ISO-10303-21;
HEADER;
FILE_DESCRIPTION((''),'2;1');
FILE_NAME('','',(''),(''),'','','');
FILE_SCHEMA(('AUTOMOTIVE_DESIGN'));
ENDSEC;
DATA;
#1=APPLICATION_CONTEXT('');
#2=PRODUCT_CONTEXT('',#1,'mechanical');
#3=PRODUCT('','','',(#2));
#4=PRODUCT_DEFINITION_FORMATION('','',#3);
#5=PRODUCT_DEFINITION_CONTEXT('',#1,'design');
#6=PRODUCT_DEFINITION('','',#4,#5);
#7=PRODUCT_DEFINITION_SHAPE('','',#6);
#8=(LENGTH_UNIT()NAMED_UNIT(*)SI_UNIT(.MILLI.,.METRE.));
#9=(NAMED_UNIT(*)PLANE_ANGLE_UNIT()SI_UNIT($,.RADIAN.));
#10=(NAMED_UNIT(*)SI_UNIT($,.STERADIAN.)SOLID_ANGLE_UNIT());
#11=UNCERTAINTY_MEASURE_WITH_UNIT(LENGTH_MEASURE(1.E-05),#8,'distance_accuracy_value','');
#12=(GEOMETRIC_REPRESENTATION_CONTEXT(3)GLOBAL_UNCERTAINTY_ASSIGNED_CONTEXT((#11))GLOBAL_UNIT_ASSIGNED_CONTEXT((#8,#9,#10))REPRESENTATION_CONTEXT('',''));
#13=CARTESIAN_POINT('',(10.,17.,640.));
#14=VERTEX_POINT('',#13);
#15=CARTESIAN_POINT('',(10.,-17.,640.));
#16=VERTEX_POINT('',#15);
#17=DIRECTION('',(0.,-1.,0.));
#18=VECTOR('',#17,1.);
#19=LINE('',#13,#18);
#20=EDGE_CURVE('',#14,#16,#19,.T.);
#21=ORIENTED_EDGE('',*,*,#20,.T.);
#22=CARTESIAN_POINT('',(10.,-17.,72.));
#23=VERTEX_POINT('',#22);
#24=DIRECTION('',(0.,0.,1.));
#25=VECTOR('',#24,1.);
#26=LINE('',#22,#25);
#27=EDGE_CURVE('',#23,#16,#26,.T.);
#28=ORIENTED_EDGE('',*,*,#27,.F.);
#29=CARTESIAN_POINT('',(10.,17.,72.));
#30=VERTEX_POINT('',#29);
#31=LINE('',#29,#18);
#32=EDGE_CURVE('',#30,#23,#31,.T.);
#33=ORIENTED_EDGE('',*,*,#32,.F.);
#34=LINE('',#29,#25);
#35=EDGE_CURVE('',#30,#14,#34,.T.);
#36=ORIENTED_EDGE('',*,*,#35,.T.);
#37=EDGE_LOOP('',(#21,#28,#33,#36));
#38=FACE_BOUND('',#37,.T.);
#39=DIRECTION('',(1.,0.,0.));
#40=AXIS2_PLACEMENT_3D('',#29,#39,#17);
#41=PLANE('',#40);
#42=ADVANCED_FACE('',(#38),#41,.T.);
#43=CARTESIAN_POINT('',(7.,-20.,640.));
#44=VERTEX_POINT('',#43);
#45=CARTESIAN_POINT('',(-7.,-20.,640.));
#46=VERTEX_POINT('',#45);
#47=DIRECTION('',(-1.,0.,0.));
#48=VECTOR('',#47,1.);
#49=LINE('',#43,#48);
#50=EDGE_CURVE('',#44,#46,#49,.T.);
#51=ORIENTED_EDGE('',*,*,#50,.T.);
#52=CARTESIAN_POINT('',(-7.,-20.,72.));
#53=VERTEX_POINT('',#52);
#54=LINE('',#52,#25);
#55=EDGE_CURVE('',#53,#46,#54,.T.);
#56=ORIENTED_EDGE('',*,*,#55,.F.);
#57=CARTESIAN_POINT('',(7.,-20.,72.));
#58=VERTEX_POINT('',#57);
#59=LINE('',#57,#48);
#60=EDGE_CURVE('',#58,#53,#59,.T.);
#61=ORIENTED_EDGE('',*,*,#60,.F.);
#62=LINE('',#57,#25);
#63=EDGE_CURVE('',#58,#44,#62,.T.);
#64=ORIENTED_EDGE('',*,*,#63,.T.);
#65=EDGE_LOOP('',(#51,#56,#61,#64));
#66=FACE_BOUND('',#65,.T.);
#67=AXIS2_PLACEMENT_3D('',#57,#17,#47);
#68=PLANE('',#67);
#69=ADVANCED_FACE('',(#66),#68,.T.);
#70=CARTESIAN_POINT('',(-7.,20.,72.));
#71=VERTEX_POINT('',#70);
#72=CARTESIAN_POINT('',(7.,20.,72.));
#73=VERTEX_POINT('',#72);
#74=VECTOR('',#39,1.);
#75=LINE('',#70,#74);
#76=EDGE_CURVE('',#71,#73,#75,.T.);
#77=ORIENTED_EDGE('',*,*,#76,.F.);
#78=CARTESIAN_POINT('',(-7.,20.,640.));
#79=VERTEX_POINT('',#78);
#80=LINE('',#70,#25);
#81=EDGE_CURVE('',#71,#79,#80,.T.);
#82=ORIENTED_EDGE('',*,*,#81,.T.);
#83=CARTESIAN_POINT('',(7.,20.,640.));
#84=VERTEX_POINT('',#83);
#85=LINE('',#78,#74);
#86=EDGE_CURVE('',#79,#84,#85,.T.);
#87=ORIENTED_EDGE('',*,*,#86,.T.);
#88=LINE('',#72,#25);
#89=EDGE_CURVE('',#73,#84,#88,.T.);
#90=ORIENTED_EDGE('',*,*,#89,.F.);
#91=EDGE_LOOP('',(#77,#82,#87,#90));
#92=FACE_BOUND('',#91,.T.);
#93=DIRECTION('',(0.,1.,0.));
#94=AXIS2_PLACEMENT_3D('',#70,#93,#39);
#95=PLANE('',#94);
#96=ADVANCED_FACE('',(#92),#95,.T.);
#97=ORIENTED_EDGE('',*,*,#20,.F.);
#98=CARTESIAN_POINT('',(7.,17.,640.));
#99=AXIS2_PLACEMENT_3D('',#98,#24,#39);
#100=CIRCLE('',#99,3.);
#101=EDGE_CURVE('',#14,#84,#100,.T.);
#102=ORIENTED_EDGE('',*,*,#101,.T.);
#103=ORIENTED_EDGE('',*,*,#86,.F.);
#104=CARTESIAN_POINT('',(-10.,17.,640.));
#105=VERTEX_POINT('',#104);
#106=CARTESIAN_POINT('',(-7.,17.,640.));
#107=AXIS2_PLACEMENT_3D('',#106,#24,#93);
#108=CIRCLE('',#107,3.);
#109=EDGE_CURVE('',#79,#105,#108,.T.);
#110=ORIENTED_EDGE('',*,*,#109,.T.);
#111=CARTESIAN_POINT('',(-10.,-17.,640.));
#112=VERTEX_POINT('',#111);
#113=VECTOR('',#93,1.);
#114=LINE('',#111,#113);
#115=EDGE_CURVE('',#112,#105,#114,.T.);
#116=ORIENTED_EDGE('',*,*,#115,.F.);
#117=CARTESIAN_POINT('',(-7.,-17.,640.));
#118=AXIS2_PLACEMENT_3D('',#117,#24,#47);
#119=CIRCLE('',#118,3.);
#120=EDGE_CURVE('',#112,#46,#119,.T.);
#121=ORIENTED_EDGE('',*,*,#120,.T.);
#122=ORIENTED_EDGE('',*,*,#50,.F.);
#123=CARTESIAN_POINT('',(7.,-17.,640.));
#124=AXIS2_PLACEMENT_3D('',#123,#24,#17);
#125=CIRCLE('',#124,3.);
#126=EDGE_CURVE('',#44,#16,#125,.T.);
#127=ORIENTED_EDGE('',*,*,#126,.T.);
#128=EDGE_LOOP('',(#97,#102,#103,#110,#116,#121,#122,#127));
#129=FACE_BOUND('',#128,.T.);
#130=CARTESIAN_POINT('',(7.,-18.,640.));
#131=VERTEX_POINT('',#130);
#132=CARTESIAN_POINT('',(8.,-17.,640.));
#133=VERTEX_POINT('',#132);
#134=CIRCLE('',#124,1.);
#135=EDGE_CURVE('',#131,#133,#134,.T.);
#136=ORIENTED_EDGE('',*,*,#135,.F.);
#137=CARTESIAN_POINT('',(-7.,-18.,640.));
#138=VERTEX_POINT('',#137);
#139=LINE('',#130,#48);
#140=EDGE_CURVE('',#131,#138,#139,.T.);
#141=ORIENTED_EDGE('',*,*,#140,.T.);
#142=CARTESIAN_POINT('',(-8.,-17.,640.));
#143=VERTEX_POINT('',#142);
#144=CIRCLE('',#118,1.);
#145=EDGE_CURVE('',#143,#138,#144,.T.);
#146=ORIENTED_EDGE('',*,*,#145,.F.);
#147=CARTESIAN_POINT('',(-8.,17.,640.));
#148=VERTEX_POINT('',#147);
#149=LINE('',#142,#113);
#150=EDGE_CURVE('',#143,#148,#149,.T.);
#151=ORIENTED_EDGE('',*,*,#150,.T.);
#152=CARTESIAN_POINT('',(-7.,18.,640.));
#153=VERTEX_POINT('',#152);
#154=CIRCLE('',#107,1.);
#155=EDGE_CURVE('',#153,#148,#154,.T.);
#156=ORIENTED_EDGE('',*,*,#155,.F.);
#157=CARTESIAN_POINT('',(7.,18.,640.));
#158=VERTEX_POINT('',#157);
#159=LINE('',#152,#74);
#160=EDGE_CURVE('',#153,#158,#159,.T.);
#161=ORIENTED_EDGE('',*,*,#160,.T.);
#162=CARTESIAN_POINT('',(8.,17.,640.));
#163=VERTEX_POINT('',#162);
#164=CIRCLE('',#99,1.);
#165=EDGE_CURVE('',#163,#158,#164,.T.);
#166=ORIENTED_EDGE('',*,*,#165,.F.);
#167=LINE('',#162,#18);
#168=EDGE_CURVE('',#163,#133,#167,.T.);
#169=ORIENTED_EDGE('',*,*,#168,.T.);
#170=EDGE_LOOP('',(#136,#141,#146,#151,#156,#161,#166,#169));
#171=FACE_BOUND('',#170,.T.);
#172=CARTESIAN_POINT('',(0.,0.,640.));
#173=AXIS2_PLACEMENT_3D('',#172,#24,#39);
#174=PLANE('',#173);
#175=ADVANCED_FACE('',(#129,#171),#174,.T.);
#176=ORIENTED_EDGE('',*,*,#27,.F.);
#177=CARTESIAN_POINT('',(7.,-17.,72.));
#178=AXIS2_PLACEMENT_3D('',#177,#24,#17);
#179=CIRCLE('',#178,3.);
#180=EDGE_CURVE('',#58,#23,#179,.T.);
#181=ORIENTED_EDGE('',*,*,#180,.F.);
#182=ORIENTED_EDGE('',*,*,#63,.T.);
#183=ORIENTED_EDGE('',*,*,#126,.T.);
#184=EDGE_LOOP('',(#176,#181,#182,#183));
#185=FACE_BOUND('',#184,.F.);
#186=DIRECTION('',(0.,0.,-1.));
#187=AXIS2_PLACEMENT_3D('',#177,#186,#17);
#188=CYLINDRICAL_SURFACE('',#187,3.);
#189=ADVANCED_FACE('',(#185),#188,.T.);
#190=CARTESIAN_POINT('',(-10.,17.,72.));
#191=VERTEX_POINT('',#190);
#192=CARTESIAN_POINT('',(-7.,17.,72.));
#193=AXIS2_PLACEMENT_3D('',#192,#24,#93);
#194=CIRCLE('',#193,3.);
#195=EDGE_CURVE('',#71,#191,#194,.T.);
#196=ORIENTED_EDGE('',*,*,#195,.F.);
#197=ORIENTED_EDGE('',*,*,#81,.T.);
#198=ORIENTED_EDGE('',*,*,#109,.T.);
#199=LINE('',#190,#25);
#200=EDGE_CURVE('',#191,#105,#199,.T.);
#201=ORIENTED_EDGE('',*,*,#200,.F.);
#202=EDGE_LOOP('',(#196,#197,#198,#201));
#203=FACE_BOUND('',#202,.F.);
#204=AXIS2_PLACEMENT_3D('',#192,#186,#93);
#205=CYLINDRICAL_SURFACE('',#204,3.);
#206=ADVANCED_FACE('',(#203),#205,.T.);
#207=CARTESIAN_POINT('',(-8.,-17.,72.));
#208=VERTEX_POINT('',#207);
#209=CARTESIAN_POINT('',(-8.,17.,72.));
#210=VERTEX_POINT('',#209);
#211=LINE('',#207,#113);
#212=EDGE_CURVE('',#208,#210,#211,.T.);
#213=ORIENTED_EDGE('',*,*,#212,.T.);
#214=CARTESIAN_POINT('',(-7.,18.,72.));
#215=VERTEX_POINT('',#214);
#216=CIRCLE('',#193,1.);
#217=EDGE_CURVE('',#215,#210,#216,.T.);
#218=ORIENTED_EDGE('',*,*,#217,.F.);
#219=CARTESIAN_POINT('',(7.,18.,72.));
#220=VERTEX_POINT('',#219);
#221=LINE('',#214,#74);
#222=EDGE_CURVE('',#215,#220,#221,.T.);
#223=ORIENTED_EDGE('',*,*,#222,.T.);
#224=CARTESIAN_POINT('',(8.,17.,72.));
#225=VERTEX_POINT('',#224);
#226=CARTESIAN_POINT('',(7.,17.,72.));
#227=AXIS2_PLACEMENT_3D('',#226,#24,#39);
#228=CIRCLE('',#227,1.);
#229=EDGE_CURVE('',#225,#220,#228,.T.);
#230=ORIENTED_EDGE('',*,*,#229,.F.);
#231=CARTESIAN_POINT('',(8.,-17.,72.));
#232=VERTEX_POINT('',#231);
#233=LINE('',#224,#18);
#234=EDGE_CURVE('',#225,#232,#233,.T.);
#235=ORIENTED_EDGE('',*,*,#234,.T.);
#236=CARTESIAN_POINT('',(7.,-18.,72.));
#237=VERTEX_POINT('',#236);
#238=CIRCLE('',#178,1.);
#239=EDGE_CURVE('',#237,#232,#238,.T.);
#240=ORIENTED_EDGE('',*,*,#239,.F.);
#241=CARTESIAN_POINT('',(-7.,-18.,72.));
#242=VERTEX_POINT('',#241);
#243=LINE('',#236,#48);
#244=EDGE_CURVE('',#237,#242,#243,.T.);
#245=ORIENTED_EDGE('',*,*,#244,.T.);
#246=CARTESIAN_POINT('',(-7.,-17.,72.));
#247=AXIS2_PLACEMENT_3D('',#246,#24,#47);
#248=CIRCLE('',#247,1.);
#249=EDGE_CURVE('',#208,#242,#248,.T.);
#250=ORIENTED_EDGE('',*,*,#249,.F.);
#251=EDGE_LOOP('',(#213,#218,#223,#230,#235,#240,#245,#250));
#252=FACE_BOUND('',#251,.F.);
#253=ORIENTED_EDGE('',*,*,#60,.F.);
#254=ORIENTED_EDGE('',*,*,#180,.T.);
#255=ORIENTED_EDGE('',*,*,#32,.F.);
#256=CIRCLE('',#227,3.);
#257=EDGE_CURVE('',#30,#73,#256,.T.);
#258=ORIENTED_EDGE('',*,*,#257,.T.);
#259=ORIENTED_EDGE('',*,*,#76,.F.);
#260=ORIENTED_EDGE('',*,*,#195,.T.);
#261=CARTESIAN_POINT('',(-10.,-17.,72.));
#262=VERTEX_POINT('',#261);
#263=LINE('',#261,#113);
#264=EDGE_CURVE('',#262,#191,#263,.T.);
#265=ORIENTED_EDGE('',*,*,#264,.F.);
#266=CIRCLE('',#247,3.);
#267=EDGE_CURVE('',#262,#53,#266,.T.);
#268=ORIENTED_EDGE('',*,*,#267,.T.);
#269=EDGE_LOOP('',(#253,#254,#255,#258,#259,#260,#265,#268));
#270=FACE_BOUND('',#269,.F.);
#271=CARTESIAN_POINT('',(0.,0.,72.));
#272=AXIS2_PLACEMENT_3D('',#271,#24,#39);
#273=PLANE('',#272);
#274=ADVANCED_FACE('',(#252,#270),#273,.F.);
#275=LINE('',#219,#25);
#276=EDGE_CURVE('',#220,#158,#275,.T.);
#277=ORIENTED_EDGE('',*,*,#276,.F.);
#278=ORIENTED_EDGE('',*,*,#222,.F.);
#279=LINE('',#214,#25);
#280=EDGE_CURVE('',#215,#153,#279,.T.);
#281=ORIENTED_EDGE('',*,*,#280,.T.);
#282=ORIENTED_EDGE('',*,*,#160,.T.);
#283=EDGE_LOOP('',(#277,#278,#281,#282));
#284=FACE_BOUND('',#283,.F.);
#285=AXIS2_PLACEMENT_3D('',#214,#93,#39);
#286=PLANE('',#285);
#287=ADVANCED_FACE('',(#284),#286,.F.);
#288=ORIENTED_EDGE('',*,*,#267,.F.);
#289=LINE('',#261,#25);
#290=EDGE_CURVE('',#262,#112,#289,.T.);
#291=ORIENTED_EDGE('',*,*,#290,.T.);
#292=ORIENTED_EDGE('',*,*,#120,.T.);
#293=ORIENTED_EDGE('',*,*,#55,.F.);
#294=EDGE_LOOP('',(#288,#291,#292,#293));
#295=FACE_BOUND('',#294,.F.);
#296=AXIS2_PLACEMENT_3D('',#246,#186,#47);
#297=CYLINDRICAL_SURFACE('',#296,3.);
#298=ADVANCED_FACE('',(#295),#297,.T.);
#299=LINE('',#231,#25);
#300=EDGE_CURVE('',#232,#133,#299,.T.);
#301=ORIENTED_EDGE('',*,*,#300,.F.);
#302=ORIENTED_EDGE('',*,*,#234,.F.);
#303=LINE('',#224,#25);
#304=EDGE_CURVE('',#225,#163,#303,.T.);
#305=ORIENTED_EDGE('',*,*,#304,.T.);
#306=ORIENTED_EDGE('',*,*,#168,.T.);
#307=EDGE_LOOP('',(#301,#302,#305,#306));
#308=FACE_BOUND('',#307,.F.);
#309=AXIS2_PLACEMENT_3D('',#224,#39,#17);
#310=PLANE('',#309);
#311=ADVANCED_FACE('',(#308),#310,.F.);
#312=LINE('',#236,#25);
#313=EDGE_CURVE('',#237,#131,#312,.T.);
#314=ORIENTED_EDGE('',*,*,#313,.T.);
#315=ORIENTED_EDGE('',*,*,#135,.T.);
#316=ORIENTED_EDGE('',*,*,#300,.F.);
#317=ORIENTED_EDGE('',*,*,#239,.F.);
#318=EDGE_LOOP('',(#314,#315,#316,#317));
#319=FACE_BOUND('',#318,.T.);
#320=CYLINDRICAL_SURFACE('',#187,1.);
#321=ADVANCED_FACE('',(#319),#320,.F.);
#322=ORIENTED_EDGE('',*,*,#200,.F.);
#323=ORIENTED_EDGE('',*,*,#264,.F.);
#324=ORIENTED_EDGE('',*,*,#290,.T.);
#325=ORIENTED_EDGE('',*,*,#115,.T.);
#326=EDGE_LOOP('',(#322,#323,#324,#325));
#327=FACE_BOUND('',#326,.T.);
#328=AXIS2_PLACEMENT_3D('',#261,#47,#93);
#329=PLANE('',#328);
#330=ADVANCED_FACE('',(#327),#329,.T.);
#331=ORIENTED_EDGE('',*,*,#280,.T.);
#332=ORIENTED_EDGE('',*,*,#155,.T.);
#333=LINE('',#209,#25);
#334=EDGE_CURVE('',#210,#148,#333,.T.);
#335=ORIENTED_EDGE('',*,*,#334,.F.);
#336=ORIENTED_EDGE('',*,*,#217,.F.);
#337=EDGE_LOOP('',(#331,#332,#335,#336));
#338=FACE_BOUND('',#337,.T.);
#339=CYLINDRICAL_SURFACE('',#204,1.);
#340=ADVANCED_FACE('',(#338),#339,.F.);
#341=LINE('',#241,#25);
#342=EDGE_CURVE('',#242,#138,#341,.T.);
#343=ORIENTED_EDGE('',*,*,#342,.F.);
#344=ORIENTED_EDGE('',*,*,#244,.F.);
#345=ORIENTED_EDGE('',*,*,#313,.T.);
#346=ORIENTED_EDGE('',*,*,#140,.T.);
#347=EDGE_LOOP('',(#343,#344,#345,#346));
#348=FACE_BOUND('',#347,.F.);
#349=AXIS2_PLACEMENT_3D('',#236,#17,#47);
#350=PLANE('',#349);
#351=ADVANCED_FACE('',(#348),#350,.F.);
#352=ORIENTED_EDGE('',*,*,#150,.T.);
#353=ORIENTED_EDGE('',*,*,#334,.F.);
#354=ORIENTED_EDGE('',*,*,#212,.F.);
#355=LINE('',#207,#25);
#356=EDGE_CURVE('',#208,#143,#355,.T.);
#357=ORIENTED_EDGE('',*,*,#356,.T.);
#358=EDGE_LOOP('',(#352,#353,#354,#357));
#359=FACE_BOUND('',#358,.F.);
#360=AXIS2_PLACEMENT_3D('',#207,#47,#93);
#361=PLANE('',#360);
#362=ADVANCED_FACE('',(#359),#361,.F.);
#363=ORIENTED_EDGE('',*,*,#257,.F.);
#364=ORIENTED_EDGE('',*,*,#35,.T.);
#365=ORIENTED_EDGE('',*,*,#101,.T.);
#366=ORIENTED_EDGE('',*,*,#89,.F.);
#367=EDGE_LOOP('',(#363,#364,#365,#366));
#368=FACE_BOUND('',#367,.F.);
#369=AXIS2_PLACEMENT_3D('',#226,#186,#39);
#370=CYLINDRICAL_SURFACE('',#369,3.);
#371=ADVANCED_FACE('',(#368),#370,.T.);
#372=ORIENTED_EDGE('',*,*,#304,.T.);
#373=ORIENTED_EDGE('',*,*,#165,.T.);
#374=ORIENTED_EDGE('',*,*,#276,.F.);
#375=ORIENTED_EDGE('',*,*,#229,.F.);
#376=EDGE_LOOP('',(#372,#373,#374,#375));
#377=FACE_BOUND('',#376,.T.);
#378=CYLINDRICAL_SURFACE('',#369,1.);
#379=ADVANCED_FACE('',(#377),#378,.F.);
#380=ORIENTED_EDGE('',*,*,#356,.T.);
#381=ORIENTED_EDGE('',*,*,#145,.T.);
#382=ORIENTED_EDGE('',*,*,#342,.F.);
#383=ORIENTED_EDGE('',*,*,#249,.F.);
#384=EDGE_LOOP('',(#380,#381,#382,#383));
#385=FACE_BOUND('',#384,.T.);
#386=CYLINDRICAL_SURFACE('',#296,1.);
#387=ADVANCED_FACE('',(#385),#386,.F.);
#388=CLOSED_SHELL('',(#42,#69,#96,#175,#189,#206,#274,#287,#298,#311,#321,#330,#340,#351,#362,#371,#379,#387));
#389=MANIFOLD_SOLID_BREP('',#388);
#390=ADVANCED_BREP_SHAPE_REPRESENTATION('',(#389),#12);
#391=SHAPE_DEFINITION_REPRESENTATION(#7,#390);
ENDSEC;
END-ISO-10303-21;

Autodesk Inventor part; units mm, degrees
ref_plane "Start plane" through (0, 0, 72) normal (0, 0, 1) x (1, 0, 0)
ref_plane "End plane" through (0, 0, 640) normal (0, 0, 1) x (1, 0, 0)
sketch "Sketch" plane through (0, 0, 0) normal (0, 0, 1) x (1, 0, 0)
  line L0 (-10, -17) -> (-10, 17)
  line L1 (-7, 20) -> (7, 20)
  line L2 (10, 17) -> (10, -17)
  line L3 (7, -20) -> (-7, -20)
  arc A0 (-10, -17) -> (-7, -20) centre (-7, -17) ccw
  arc A1 (-7, 20) -> (-10, 17) centre (-7, 17) ccw
  arc A2 (10, 17) -> (7, 20) centre (7, 17) ccw
  arc A3 (7, -20) -> (10, -17) centre (7, -17) ccw
  arc A4 (-7, 18) -> (-8, 17) centre (-7, 17) ccw
  line L4 (-7, 18) -> (7, 18)
  arc A5 (8, 17) -> (7, 18) centre (7, 17) ccw
  line L5 (8, 17) -> (8, -17)
  arc A6 (7, -18) -> (8, -17) centre (7, -17) ccw
  line L6 (7, -18) -> (-7, -18)
  arc A7 (-8, -17) -> (-7, -18) centre (-7, -17) ccw
  line L7 (-8, -17) -> (-8, 17)
  line L8 (0, 28.8698) -> (0, -28.8698) construction
  line L9 (-14.8698, 0) -> (14.8698, 0) construction
  dimension "d7" = 3
  dimension "d10" = 40
  dimension "d11" = 20
  dimension "d12" = 2
  dimension "d15" = 20
  dimension "d16" = 10
extrude "Body" add sketch "Sketch" along normal up to surface (568 mm away) from surface at 72
sketch "Sketch3" plane through (0, 0, 0) normal (0, 0, 1) x (1, 0, 0)
  line L0 (0, 0) -> (10, 0)
ref_plane "Work Plane3" through (0, 0, 0) normal (0, -1, 0) x (1, 0, 0)
sketch "Sketch4" plane through (0, 0, 0) normal (0, -1, 0) x (1, 0, 0)
  line L0 (-2, 72) -> (12, 72)
  line L1 (-2, 640) -> (12, 640)
  dimension "d18" = 568
ref_plane "Work Plane4" through (17, -475, 72) normal (0, 0, -1) x (-1, 0, 0)
split "Split1" plane through (17, -475, 72) removes the side toward (0, 0, -1)
equation "\"d7\" = G_IR"
equation "\"d10\" = G_H"
equation "\"d11\" = G_W"
equation "\"d12\" = G_T"
equation "\"d15\" = 0.5 * d10"
equation "\"d16\" = 0.5 * d11"
equation "\"d3\" = G_L"
equation "\"G_W\" = 20"
equation "\"G_H\" = 40"
equation "\"G_T\" = 2"
equation "\"G_IR\" = 3"
equation "\"G_L\" = d18"
equation "\"G_OFFSET_START\" = -72"
equation "\"G_OFFSET_END\" = 0"
equation "\"d13\" = -G_OFFSET_START"
equation "\"d14\" = G_OFFSET_END + B_L"
equation "\"B_L\" = 640"
properties part number "UNI EN 10305-5 - 40 x 20 x 2  - 568" material "Steel, Mild"
